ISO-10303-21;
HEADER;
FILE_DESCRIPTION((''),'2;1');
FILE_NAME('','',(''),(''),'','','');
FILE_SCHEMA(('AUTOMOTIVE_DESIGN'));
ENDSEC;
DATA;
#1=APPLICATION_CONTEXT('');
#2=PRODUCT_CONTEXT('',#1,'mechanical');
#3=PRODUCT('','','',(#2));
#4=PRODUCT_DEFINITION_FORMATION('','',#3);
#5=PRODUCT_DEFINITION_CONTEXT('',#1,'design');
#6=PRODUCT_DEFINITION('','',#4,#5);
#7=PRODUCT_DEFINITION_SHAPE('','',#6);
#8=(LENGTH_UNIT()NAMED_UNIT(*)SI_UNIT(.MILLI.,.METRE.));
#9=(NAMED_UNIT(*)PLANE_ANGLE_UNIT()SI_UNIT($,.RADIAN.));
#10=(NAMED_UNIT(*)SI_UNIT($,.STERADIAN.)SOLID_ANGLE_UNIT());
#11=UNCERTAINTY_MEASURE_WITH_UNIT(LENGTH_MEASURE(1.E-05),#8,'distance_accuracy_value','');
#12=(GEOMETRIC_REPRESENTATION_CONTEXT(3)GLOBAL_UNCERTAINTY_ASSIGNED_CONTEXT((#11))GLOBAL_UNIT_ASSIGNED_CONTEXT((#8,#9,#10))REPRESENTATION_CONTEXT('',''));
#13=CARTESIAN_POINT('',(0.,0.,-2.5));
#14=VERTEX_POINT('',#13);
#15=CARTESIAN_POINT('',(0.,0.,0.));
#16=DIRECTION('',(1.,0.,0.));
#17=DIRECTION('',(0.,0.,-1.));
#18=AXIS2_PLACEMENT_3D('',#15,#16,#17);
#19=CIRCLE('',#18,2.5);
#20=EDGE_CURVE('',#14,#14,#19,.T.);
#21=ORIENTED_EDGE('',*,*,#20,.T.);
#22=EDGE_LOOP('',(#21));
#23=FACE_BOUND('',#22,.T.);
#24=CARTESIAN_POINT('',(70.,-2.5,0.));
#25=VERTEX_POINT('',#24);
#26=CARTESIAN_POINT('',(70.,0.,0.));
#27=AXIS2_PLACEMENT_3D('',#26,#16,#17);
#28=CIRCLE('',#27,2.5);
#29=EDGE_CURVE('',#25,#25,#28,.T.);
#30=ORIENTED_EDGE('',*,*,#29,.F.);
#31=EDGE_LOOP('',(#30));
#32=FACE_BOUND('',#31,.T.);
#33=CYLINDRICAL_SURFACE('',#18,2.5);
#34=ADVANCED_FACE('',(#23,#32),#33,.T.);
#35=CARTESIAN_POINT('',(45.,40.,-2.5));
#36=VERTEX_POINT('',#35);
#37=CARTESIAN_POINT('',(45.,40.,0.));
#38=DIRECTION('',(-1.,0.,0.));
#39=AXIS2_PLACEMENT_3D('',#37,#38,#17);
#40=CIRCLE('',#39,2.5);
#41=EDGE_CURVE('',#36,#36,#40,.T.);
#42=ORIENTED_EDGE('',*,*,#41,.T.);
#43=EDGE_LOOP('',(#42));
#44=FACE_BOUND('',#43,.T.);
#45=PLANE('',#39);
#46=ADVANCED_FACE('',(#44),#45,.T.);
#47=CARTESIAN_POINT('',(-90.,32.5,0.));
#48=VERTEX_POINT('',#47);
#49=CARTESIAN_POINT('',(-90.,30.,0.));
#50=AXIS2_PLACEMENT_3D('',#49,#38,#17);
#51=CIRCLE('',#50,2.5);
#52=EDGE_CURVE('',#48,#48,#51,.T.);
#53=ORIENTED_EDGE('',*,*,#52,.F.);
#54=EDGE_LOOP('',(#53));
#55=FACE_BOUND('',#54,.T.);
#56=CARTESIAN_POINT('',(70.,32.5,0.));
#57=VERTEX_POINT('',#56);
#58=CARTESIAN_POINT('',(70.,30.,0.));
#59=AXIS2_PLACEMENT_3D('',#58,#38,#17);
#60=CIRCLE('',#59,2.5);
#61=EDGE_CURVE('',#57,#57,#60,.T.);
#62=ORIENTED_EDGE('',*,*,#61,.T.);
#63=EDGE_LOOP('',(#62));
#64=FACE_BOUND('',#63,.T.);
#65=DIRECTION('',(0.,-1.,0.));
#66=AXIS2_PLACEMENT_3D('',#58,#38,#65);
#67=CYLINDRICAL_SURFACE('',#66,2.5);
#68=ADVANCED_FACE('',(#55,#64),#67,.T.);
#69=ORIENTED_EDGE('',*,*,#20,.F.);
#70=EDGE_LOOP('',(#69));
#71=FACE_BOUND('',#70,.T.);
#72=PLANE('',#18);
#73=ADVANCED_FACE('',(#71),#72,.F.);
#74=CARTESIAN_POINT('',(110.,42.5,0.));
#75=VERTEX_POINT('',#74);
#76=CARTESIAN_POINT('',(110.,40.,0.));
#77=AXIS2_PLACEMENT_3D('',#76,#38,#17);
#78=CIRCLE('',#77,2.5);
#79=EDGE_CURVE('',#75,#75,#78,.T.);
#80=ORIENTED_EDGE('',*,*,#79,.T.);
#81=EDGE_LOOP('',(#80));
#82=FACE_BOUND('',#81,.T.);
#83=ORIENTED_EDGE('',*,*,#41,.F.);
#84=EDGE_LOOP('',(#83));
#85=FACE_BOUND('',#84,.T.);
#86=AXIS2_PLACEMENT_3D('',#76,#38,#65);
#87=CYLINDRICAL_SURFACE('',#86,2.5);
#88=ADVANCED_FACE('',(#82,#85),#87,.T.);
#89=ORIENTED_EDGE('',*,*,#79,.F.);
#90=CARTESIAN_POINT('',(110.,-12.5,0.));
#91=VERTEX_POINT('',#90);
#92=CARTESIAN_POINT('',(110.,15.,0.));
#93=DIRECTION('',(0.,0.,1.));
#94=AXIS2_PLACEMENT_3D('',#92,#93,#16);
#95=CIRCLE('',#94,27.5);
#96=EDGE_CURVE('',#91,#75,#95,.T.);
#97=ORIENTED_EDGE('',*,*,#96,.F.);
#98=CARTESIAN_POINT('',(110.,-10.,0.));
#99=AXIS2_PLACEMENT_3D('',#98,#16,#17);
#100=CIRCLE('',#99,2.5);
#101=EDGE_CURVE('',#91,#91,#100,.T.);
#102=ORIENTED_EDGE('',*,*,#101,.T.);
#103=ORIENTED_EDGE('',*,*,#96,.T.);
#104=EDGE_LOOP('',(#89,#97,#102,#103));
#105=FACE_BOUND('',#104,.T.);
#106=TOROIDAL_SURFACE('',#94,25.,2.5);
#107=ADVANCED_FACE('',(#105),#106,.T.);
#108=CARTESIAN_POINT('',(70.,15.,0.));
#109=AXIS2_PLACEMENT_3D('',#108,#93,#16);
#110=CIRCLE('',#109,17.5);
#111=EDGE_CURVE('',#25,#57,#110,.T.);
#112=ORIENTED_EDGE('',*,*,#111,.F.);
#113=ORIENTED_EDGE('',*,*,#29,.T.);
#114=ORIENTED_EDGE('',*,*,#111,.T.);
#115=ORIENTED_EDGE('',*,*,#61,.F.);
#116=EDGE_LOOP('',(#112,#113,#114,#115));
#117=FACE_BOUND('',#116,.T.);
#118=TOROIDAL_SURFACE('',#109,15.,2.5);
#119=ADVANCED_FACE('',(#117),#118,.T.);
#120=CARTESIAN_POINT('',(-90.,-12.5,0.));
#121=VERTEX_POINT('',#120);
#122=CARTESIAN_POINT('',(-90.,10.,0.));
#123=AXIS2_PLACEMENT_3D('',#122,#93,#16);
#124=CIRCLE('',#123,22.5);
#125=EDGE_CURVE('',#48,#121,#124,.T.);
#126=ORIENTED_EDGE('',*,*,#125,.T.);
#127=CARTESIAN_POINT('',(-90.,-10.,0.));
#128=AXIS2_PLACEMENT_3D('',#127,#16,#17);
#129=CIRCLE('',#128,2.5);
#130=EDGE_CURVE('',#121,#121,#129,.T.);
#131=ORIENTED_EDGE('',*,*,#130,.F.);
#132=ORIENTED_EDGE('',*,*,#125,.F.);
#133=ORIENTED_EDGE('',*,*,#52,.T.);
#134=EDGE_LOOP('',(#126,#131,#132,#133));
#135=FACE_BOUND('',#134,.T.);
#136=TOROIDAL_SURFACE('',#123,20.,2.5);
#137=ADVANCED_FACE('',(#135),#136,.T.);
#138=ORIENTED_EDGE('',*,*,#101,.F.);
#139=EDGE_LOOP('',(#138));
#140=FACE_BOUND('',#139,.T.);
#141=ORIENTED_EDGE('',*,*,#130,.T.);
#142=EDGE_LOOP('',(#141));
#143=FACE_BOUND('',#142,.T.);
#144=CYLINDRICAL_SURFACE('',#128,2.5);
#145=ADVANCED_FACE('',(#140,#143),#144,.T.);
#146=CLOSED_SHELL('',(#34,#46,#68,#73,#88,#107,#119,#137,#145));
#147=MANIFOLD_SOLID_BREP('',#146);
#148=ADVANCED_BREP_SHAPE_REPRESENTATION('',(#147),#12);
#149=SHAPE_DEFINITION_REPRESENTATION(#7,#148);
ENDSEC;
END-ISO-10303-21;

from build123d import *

# Parameters (mm, degrees)
SKETCH2_R = 2.5


with BuildPart() as part:
    # Sweep1: sweep along a path in Sketch1
    with BuildLine(Plane.XY) as sweep1_path:
        Line((0, 0), (70, 0))
        ThreePointArc((70, 0), (85, 15), (70, 30))
        Line((70, 30), (-90, 30))
        ThreePointArc((-90, 30), (-110, 10), (-90, -10))
        Line((-90, -10), (110, -10))
        ThreePointArc((110, -10), (135, 15), (110, 40))
        Line((110, 40), (45, 40))
    # Sketch2 → Sweep1 (sweep)
    with BuildSketch(Plane(origin=(0, 0, 0), x_dir=(0, 0, -1), z_dir=(1, 0, 0))):
        Circle(SKETCH2_R)
    sweep(path=sweep1_path.line)


solid = part.part
